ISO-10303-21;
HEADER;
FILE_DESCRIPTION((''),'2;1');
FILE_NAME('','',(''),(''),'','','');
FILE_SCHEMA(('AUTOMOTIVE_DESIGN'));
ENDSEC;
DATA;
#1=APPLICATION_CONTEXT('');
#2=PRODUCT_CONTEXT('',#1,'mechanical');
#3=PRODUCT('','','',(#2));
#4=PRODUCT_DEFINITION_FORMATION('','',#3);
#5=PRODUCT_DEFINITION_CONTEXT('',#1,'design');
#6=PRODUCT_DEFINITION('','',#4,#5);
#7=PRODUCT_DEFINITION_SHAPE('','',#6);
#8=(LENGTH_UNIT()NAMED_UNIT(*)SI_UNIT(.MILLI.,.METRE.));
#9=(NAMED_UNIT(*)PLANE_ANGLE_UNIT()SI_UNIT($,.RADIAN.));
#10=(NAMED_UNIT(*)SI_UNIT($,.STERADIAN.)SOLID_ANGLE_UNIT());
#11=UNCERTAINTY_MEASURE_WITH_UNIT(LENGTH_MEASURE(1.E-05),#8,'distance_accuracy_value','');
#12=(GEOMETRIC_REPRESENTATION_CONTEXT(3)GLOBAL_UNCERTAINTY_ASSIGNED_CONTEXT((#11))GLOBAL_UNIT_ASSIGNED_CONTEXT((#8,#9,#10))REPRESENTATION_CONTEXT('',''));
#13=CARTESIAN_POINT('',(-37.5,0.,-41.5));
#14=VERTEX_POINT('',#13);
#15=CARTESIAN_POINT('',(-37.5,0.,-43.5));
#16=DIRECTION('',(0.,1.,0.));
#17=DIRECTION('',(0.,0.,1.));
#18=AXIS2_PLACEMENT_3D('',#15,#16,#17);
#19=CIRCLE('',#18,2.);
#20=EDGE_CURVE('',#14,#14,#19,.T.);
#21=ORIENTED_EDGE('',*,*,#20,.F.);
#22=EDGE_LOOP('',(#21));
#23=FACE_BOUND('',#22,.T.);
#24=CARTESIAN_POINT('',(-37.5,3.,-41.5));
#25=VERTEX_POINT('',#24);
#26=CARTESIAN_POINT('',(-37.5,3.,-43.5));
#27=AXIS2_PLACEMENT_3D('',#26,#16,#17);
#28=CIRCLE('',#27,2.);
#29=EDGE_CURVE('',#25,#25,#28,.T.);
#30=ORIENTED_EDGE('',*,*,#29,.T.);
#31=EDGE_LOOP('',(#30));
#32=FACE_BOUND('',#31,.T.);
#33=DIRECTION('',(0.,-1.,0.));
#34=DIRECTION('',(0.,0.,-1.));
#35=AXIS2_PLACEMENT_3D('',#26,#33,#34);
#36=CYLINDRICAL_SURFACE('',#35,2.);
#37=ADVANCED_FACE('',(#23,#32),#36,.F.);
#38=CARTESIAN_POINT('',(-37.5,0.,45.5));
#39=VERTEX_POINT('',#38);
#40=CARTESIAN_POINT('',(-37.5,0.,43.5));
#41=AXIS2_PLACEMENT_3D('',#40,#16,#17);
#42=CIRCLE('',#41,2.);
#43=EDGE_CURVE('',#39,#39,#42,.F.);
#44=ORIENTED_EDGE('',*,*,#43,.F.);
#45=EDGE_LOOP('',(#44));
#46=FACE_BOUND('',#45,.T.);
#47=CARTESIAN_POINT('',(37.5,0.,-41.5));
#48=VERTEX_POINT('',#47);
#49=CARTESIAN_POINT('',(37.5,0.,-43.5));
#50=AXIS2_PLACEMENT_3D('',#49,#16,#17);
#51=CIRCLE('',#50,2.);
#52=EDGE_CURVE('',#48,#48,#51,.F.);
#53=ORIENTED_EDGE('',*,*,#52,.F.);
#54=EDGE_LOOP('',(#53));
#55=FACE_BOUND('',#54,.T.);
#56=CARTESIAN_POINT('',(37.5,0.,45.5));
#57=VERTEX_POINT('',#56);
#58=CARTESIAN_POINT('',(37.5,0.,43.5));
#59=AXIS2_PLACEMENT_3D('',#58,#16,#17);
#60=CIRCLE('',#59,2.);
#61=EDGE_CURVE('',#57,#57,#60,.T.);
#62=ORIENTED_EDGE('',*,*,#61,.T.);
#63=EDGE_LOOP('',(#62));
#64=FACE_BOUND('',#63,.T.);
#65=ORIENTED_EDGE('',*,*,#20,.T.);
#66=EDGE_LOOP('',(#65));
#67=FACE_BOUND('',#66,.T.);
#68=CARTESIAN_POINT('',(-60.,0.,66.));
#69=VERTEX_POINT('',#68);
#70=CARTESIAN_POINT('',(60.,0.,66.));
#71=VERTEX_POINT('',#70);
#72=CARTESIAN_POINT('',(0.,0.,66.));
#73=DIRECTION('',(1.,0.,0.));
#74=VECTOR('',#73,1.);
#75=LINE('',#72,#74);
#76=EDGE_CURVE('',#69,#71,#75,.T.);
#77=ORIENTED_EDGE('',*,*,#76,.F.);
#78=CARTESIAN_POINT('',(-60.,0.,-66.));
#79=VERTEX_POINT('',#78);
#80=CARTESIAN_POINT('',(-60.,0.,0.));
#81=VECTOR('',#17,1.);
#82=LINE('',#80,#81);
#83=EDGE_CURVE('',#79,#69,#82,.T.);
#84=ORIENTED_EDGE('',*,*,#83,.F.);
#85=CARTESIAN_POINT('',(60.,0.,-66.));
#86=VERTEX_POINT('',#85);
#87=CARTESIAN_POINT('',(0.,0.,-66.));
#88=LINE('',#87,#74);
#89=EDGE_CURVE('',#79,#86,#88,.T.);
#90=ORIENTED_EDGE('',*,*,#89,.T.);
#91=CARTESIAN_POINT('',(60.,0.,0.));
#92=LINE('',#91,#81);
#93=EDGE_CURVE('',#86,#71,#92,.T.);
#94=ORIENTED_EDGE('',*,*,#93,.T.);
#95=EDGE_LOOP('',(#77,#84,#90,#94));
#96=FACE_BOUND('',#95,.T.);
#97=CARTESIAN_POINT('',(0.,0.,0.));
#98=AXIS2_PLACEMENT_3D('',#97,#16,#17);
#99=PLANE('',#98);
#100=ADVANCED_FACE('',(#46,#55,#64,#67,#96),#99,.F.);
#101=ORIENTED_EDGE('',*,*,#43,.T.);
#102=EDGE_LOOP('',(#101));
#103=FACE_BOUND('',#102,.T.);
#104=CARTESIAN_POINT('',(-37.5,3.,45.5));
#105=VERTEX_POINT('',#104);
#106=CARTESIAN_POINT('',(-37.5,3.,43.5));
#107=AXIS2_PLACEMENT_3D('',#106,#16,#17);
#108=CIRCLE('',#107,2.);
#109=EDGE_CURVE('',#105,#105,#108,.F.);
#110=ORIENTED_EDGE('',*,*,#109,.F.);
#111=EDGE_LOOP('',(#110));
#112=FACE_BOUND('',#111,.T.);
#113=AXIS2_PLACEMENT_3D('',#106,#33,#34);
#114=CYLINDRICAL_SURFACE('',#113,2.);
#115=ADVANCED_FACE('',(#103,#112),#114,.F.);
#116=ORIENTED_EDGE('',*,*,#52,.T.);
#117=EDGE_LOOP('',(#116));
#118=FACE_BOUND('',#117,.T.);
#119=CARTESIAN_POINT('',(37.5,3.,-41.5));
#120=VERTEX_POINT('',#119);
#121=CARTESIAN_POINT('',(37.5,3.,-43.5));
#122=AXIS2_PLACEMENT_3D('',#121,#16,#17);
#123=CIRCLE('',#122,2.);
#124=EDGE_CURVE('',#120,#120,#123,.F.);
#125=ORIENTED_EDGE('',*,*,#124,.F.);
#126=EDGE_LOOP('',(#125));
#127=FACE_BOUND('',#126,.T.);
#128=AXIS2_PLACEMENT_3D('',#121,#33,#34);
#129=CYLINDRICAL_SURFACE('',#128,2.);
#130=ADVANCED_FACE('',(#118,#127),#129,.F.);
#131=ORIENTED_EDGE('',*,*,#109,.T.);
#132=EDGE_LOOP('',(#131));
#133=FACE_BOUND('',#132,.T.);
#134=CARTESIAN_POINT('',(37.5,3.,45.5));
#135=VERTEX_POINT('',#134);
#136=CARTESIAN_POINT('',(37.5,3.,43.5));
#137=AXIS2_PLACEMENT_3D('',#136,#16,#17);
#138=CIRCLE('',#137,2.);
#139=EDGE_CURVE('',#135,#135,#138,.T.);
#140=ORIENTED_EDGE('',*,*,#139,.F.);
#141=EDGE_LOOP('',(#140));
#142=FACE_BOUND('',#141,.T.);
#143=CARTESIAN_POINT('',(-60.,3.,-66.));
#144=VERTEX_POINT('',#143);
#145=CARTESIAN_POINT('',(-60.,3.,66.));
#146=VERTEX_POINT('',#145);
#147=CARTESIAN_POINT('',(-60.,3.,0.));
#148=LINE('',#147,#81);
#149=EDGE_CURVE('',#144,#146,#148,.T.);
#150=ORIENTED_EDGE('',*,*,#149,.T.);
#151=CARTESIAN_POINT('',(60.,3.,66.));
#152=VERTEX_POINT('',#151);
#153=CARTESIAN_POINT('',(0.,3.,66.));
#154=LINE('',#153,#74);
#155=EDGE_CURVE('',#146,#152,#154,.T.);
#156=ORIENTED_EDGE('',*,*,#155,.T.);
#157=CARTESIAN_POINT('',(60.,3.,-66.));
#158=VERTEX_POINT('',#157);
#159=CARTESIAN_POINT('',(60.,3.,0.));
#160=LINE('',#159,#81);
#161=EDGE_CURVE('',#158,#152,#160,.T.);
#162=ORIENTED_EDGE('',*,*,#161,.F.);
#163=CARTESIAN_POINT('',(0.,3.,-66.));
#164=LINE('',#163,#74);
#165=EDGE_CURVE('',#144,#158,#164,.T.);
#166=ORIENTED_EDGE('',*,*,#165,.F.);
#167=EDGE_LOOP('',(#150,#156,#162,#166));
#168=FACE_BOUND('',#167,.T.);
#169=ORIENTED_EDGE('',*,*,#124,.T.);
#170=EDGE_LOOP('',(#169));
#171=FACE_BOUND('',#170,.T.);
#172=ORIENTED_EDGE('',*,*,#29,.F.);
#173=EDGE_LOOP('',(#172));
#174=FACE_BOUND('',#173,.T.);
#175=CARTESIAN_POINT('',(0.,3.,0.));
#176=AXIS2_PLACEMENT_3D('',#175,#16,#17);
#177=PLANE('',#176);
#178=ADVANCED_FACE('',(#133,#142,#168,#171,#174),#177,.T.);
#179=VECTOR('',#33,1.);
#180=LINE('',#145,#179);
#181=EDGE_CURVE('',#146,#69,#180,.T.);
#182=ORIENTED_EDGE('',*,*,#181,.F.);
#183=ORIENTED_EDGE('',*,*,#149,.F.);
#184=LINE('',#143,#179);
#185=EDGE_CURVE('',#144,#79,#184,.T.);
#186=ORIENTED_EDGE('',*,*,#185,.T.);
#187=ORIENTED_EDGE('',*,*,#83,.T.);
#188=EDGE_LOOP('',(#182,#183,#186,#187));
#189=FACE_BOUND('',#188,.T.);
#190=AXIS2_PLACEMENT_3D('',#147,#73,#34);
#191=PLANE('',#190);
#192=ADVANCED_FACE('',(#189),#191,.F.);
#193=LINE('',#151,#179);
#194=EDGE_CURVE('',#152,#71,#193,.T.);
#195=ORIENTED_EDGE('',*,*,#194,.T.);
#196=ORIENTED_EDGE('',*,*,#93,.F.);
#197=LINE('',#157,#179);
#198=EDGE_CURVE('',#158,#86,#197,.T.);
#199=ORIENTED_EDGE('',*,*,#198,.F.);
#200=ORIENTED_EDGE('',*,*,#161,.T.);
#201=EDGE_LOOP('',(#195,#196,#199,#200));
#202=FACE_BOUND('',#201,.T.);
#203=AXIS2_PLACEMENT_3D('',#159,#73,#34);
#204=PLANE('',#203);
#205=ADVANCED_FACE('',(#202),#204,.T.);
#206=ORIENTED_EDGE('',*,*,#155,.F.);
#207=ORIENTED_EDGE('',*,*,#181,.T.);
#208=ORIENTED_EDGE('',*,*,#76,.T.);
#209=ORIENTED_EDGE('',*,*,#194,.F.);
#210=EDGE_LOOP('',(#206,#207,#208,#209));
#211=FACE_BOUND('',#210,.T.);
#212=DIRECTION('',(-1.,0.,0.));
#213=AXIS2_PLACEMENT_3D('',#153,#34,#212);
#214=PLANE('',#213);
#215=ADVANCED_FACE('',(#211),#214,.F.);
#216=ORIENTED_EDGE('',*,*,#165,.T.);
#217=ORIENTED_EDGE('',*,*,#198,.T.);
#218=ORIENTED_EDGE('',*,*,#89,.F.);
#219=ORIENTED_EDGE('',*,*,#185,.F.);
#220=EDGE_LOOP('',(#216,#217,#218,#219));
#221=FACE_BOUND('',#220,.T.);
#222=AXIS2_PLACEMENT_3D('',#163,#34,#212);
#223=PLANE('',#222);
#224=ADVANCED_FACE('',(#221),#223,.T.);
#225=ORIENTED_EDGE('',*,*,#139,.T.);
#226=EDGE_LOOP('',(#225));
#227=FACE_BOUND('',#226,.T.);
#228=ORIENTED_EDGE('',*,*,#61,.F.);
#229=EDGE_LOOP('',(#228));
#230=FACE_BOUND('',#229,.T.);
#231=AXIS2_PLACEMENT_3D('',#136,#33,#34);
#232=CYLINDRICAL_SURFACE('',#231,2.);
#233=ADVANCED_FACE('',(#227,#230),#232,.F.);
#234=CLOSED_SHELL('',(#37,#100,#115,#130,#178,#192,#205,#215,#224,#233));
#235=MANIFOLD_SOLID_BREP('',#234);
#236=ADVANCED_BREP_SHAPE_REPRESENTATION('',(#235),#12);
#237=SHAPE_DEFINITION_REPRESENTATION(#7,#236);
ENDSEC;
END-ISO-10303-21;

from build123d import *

# Parameters (mm, degrees)
SKETCH2_W           = 120
SKETCH2_H           = 132
SKETCH2_W_2         = 95
SKETCH2_H_2         = 107
SKETCH2_R           = 2
BOSS_EXTRUDE1_DEPTH = 3


with BuildPart() as part:
    # Sketch2 → Boss-Extrude1 (new body)
    # profile 1 of 3: a face of its own
    with BuildSketch(Plane(origin=(0, 0, 0), x_dir=(1, 0, 0), z_dir=(0, 1, 0))):
        Rectangle(SKETCH2_W, SKETCH2_H)
        Rectangle(SKETCH2_W_2, SKETCH2_H_2, mode=Mode.SUBTRACT)
    # profile 2 of 3: a face of its own
    with BuildSketch(Plane(origin=(0, 0, 0), x_dir=(1, 0, 0), z_dir=(0, 1, 0))):
        with BuildLine():
            ThreePointArc((37.5, -45.5), (36.085786438, -42.085786438), (39.5, -43.5))
            Line((39.5, -43.5), (47.5, -43.5))
            Line((47.5, -43.5), (47.5, 53.5))
            Line((47.5, 53.5), (-47.5, 53.5))
            Line((-47.5, 53.5), (-47.5, -53.5))
            Line((-47.5, -53.5), (37.5, -53.5))
            Line((37.5, -53.5), (37.5, -45.5))
        make_face()
        with Locations(Location((-37.5, -43.5, 0), (0, 0, 270))):
            Circle(SKETCH2_R, mode=Mode.SUBTRACT)
        with Locations(Location((-37.5, 43.5, 0), (0, 0, 270))):
            Circle(SKETCH2_R, mode=Mode.SUBTRACT)
        with Locations(Location((37.5, 43.5, 0), (0, 0, 270))):
            Circle(SKETCH2_R, mode=Mode.SUBTRACT)
    # profile 3 of 3: a face of its own
    with BuildSketch(Plane(origin=(0, 0, 0), x_dir=(1, 0, 0), z_dir=(0, 1, 0))):
        with BuildLine():
            Line((47.5, -43.5), (39.5, -43.5))
            ThreePointArc((39.5, -43.5), (38.914213562, -44.914213562), (37.5, -45.5))
            Line((37.5, -45.5), (37.5, -53.5))
            Line((37.5, -53.5), (47.5, -53.5))
            Line((47.5, -53.5), (47.5, -43.5))
        make_face()
    extrude(amount=BOSS_EXTRUDE1_DEPTH)


solid = part.part
